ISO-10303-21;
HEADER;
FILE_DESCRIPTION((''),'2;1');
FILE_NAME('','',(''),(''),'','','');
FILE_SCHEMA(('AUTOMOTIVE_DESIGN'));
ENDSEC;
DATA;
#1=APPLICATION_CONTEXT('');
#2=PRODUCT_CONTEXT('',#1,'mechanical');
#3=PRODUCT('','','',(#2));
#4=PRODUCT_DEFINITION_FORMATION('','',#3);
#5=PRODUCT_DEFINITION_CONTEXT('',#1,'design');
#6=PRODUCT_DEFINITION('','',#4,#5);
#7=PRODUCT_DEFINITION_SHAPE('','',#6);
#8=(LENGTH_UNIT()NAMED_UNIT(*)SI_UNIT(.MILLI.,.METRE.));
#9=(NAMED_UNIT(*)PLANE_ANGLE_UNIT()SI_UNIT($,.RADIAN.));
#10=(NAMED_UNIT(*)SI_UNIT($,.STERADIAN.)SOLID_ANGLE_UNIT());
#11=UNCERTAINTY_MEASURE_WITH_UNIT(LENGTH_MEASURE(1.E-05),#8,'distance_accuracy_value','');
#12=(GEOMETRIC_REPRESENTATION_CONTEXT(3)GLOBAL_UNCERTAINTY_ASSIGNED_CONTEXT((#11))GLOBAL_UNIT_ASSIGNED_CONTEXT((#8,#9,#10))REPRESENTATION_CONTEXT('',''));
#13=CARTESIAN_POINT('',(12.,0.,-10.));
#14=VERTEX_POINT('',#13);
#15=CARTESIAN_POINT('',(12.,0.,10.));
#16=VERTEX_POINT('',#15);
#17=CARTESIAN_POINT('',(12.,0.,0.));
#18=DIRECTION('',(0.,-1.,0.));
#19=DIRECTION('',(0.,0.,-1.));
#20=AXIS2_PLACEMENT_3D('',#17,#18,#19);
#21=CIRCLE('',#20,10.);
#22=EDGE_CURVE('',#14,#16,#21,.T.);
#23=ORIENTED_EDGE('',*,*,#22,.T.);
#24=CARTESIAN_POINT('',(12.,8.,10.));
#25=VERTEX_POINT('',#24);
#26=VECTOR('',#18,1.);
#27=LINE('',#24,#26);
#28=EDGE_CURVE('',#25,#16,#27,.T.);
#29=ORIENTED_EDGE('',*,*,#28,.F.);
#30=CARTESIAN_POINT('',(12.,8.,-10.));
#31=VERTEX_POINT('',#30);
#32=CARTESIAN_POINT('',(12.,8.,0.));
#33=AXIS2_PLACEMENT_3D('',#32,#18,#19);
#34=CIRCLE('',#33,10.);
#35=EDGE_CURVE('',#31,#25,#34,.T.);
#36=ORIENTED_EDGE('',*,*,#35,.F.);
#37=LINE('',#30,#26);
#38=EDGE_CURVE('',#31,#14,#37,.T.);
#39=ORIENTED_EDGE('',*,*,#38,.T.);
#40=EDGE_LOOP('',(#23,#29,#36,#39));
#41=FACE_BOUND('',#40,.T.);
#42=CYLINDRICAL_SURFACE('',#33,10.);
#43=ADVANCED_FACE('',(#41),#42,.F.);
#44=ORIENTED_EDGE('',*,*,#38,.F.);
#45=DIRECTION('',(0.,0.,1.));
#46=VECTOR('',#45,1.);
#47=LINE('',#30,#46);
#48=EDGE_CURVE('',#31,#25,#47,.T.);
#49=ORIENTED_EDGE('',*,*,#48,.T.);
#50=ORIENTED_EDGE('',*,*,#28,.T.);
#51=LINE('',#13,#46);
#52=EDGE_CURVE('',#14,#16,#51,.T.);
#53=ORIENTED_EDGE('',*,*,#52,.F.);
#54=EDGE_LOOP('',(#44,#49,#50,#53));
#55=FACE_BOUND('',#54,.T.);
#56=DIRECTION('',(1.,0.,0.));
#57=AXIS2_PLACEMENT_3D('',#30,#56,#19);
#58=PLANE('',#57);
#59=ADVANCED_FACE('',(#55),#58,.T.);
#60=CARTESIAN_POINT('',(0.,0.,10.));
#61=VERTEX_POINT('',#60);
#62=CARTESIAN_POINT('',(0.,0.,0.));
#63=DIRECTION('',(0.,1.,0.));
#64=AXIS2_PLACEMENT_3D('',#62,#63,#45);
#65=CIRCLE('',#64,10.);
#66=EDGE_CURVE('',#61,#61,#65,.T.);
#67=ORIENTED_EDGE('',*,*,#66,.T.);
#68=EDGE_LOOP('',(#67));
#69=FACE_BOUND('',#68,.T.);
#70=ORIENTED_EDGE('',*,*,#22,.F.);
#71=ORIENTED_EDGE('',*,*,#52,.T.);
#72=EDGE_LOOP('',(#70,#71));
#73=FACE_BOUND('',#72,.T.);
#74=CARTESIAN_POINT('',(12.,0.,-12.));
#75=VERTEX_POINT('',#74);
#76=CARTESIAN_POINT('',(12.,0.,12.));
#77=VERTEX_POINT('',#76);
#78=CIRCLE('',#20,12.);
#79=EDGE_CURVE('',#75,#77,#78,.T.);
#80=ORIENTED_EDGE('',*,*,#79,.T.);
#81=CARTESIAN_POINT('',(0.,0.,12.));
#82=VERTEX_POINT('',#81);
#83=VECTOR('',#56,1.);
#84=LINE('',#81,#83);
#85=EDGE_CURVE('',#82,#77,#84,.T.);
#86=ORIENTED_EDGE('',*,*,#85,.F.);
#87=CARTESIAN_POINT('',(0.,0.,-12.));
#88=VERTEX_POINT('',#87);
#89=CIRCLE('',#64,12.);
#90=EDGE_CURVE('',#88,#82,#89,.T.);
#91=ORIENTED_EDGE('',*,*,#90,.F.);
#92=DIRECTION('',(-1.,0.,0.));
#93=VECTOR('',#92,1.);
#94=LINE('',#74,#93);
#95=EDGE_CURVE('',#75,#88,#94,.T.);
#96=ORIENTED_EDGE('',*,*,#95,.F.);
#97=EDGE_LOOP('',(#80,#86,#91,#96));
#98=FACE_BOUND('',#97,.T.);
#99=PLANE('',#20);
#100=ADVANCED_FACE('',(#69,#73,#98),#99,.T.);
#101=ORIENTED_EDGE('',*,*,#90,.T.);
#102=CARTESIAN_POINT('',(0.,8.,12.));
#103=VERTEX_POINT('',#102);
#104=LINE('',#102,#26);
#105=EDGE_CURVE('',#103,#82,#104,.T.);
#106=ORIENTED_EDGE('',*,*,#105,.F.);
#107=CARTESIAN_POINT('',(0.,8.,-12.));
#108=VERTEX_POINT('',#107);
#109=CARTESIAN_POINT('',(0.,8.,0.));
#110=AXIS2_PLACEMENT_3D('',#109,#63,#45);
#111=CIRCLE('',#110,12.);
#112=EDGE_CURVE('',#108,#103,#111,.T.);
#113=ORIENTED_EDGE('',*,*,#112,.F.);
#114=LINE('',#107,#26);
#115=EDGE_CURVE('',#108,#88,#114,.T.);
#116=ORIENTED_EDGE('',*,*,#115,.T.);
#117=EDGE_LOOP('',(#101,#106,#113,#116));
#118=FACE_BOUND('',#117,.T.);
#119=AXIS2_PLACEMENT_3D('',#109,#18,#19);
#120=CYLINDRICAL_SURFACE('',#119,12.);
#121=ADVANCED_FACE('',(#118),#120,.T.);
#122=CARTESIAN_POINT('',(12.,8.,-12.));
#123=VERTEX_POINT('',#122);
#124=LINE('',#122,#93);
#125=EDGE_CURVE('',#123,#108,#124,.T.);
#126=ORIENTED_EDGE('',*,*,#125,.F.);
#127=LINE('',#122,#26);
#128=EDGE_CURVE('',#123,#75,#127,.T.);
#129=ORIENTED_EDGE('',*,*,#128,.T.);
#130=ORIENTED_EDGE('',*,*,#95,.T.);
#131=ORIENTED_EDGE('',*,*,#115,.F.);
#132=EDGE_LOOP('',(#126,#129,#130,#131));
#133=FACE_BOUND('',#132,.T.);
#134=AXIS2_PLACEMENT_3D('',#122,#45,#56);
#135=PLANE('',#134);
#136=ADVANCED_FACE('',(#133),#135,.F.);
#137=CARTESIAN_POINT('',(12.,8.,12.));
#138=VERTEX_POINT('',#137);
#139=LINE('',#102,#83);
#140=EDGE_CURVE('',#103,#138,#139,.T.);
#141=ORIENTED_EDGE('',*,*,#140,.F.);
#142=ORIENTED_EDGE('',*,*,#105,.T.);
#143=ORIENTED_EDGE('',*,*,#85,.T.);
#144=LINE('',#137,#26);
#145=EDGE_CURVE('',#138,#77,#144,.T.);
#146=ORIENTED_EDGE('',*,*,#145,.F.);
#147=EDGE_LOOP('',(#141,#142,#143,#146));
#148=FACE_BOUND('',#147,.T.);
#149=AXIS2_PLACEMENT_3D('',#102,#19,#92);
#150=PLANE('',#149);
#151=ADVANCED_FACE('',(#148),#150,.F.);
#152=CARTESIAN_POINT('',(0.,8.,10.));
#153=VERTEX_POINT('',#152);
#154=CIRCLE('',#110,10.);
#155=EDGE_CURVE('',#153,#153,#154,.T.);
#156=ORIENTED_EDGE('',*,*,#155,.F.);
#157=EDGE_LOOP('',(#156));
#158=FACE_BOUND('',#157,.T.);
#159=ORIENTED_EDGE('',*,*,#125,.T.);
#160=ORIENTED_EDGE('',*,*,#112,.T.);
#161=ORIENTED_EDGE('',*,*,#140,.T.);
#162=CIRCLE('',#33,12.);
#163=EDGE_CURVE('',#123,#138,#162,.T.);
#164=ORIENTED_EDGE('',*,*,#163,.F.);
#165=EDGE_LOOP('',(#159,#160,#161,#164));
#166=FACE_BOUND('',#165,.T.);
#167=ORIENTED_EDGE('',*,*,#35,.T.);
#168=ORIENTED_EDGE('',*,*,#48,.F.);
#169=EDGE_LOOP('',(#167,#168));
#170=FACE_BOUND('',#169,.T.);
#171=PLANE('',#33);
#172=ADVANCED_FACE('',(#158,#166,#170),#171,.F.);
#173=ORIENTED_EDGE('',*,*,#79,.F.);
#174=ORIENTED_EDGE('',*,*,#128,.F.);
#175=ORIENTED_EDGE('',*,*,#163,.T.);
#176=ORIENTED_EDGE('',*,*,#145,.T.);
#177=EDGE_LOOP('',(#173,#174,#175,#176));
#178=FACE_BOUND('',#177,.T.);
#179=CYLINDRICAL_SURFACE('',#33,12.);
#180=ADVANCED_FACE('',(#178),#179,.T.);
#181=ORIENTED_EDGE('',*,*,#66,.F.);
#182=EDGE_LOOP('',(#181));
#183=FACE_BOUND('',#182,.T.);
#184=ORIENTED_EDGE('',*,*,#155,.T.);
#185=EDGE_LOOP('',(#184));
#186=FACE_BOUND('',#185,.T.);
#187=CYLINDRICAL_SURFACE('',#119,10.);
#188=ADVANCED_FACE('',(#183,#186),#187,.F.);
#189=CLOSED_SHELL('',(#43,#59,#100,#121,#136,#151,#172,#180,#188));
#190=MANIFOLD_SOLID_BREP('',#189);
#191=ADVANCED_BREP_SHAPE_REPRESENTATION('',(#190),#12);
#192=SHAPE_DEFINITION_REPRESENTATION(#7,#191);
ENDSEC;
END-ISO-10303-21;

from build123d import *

# Parameters (mm, degrees)
SKETCH_1_R      = 10
EXTRUDE_1_DEPTH = 8


with BuildPart() as part:
    # 草图1 → 凸台-拉伸1 (new body)
    with BuildSketch(Plane(origin=(0, 0, 0), x_dir=(1, 0, 0), z_dir=(0, 1, 0))):
        with BuildLine():
            Line((0, -12), (12, -12))
            ThreePointArc((12, -12), (24, 0), (12, 12))
            Line((12, 12), (0, 12))
            ThreePointArc((0, 12), (-12, 0), (0, -12))
        make_face()
        Circle(SKETCH_1_R, mode=Mode.SUBTRACT)
        with BuildLine():
            Line((12, 10), (12, -10))
            ThreePointArc((12, -10), (22, 0), (12, 10))
        make_face(mode=Mode.SUBTRACT)
    extrude(amount=EXTRUDE_1_DEPTH)


solid = part.part
